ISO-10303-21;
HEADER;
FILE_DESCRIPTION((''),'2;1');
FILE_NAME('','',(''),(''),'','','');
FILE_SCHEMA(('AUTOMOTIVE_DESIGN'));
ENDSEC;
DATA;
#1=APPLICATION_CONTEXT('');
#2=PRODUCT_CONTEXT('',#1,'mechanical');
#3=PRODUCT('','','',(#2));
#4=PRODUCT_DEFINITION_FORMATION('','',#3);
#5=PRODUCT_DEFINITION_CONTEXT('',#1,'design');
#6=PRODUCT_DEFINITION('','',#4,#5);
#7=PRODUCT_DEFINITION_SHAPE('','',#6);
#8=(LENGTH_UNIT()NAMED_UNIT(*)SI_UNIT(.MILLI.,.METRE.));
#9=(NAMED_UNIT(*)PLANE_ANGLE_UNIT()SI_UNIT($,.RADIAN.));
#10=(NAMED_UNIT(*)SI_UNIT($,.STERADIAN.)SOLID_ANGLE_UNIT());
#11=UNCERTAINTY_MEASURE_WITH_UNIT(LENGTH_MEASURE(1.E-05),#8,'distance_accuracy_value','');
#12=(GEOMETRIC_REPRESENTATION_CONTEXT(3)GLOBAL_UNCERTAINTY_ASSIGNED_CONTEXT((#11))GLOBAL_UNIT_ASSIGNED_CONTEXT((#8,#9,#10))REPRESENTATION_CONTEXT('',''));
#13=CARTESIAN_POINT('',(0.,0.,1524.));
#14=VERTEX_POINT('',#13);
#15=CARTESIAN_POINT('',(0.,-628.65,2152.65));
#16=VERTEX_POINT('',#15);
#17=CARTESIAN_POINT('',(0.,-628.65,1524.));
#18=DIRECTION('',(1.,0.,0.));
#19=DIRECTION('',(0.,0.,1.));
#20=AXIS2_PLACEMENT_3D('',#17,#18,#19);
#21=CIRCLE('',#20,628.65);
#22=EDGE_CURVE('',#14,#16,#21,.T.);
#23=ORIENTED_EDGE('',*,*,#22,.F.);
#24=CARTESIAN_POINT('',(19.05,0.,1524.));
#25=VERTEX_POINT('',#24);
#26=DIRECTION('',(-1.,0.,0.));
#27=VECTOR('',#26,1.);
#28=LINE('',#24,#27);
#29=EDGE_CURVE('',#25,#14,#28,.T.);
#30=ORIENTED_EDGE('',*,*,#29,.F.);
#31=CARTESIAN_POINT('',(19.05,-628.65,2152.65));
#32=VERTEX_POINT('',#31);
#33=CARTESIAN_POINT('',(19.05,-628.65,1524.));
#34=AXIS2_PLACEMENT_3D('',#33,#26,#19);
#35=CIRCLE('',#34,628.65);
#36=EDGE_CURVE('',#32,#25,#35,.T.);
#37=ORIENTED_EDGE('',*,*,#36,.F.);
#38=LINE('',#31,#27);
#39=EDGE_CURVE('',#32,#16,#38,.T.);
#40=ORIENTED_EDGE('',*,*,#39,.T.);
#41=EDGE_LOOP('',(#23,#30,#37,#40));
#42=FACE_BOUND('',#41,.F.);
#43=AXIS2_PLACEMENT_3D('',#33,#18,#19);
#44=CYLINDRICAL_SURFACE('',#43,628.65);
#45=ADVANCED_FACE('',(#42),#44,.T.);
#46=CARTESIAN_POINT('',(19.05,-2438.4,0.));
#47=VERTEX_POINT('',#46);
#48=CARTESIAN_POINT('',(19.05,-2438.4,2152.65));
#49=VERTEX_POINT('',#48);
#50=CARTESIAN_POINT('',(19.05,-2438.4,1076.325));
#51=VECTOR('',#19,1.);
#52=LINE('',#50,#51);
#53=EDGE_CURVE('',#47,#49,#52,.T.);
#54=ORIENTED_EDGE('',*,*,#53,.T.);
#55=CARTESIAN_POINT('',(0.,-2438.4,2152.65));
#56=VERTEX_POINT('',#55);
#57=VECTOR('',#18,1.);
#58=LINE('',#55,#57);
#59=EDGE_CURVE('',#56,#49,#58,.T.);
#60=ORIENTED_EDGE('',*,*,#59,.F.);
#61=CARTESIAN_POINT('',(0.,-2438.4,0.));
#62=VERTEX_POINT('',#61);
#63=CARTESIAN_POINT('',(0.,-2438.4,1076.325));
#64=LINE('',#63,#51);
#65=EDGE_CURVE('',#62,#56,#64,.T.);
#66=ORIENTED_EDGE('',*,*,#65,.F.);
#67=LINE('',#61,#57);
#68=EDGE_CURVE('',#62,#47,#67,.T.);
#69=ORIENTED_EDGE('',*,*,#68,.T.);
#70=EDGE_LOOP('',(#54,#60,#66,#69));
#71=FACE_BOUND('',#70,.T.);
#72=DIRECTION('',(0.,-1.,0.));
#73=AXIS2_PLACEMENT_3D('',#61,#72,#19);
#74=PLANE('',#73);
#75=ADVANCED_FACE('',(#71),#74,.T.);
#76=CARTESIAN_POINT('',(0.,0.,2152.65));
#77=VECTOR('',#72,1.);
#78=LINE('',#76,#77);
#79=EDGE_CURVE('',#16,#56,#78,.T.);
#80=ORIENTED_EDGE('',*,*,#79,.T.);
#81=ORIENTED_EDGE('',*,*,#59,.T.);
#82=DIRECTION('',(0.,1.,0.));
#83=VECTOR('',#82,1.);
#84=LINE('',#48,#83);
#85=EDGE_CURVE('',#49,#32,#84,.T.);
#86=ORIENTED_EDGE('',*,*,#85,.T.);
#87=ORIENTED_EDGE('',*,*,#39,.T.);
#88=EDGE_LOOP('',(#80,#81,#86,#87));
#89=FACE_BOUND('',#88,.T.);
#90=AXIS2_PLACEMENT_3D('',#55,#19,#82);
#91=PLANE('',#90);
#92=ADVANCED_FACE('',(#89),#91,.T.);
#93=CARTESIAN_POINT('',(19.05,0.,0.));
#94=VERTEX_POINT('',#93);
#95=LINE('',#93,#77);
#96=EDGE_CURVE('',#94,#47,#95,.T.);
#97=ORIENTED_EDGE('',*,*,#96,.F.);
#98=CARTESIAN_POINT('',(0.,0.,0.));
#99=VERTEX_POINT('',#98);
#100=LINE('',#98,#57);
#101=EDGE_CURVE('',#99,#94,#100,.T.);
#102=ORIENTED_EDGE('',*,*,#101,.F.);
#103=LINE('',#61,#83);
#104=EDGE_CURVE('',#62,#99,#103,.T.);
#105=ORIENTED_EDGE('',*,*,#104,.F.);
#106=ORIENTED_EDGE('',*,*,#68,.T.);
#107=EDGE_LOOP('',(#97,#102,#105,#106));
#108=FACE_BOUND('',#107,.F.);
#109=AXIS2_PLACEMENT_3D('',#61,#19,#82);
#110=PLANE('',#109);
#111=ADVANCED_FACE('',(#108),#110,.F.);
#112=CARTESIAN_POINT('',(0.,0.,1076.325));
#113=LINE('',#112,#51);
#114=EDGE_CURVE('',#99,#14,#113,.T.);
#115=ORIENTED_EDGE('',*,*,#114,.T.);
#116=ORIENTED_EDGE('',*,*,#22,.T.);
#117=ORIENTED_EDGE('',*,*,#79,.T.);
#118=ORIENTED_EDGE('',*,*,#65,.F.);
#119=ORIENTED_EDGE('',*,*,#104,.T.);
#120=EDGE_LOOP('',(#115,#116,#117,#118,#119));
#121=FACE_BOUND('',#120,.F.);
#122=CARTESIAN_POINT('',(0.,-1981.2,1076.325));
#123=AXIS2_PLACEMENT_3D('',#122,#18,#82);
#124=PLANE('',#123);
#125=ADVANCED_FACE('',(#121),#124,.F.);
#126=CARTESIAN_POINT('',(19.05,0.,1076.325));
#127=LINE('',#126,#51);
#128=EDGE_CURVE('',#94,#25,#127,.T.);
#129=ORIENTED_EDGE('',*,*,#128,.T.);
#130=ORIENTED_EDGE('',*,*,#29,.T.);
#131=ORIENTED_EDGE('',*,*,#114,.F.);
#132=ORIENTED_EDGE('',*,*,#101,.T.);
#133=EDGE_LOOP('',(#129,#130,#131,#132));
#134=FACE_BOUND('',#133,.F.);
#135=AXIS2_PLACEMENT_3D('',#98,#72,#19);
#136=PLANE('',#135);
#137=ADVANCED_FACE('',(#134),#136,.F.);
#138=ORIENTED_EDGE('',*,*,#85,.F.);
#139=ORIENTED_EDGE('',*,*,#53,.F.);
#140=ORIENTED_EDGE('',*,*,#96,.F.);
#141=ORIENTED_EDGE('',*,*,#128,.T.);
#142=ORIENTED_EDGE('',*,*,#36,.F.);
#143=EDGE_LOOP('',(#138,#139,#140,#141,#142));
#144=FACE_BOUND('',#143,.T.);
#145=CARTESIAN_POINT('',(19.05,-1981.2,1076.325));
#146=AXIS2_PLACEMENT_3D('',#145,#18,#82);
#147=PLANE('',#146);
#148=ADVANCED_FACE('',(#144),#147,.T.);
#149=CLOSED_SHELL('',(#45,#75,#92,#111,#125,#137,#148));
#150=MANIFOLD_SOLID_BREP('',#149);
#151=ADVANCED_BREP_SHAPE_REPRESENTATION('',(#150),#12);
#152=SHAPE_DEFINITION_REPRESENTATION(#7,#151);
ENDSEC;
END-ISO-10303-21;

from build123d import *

# Parameters (mm, degrees)
F0_W     = 1524
F0_H     = 2152.65
F1_DEPTH = 19.05
F2_W     = 914.4
F2_H     = 2152.65
F3_DEPTH = 19.05
F5_DEPTH = 25.4


with BuildPart() as f1:
    # F0 (on Right) → F1 (new body)
    with BuildSketch(Plane.YZ):
        with Locations((-762, 1076.325)):
            Rectangle(F0_W, F0_H)
    extrude(amount=F1_DEPTH)

    # F2 (on Right) → F3 (join)
    with BuildSketch(Plane.YZ):
        with Locations((-1981.2, 1076.325)):
            Rectangle(F2_W, F2_H)
    extrude(amount=F3_DEPTH)

    # F4 (on face) → F5 (cut)
    with BuildSketch(Plane.YZ.offset(19.05)):
        with BuildLine():
            ThreePointArc((-628.65, 2152.65), (-184.127322, 1968.522678), (0, 1524))
            Line((0, 1524), (0, 2152.65))
            Line((0, 2152.65), (-628.65, 2152.65))
        make_face()
    extrude(amount=-F5_DEPTH, mode=Mode.SUBTRACT)


solid = f1.part
